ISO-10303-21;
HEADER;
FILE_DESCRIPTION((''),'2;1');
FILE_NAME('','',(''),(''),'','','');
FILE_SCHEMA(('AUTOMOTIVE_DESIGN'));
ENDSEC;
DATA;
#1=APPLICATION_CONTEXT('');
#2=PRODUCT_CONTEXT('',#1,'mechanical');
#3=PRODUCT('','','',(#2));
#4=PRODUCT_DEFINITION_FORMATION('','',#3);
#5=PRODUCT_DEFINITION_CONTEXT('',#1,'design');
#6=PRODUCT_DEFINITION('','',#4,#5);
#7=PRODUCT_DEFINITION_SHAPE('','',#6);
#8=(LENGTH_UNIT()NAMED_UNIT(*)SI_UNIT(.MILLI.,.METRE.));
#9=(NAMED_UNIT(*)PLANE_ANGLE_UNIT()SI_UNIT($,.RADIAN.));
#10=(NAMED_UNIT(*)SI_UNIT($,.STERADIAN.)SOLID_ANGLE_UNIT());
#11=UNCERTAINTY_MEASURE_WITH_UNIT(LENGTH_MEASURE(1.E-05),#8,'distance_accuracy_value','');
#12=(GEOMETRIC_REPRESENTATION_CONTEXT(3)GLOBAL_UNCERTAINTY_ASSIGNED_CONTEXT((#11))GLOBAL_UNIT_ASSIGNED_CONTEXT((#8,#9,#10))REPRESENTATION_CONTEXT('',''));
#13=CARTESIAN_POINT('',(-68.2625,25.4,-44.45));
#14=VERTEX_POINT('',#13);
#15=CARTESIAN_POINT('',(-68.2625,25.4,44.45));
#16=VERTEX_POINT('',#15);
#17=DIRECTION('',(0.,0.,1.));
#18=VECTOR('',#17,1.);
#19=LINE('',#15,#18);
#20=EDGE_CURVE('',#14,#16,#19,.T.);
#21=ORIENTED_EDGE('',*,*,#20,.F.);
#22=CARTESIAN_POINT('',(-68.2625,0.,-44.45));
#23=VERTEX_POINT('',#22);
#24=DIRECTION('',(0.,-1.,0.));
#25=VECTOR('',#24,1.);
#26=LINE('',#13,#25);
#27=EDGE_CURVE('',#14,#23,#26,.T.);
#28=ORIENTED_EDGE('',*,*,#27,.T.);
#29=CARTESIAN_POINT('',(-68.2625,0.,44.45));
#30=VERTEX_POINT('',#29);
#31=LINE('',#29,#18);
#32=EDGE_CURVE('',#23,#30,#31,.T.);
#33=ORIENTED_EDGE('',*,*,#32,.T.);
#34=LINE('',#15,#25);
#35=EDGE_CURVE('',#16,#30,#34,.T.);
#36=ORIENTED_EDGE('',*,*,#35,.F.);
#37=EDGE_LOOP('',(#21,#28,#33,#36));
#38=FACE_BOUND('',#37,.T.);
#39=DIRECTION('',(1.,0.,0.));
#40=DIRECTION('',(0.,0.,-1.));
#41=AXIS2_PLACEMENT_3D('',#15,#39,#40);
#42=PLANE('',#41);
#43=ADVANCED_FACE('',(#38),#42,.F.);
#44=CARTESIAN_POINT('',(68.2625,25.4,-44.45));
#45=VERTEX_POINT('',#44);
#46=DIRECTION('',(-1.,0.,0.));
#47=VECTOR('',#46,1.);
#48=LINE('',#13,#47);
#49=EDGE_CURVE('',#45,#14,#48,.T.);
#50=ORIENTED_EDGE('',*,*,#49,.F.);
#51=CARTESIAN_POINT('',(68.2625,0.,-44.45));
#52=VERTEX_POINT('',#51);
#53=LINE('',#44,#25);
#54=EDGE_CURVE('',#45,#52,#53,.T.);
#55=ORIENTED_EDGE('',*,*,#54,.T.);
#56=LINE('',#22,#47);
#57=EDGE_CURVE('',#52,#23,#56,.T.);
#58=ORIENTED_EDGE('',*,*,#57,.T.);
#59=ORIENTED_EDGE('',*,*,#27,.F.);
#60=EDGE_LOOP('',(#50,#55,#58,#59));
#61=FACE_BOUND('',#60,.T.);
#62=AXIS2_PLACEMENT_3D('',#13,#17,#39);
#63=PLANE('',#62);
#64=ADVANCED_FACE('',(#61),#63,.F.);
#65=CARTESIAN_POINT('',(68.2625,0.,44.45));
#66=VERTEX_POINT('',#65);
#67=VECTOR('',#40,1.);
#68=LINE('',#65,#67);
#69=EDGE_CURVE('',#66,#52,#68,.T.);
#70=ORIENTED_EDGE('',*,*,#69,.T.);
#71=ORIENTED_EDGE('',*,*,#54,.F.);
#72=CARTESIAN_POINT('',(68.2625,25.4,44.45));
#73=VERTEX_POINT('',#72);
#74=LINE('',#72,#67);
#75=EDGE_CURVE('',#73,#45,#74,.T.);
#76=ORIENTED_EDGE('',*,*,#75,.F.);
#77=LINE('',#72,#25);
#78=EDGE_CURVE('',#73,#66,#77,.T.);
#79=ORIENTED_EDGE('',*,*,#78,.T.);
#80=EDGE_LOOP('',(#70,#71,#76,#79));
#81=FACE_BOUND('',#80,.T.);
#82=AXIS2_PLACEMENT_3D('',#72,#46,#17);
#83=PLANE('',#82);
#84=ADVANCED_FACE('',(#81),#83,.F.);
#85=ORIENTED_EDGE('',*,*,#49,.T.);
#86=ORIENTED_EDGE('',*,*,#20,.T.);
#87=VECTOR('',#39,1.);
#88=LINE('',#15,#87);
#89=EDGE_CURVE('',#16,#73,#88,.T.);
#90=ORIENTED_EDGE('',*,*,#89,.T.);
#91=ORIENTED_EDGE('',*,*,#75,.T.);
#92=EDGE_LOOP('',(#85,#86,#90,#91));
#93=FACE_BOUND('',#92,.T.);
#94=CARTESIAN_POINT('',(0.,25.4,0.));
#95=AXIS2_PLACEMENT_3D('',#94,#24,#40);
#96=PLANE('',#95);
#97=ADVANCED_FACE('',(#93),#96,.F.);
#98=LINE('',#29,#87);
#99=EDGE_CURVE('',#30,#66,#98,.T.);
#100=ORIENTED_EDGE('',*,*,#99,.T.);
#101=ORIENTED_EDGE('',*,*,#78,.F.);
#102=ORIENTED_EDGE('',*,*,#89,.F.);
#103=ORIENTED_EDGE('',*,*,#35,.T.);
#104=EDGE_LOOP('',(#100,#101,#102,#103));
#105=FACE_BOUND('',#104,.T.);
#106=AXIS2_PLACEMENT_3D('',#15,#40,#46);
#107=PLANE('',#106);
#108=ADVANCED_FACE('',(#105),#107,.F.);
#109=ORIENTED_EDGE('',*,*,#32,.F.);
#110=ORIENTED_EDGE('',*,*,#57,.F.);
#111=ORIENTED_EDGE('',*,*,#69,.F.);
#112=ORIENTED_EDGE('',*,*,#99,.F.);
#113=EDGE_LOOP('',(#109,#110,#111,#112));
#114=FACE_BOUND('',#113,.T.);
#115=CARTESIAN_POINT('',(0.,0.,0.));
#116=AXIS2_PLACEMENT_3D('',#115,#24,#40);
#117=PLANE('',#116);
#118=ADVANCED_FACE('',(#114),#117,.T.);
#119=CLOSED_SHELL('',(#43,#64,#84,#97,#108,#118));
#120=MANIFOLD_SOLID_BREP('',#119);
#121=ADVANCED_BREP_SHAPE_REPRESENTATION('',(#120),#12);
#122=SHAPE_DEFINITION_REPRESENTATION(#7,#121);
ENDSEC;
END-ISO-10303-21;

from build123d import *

# Parameters (mm, degrees)
SKETCH1_W           = 136.525
SKETCH1_H           = 88.9
BOSS_EXTRUDE1_DEPTH = 25.4


with BuildPart() as part:
    # Sketch1 → Boss-Extrude1 (new body)
    with BuildSketch(Plane(origin=(0, 0, 0), x_dir=(1, 0, 0), z_dir=(0, 1, 0))):
        Rectangle(SKETCH1_W, SKETCH1_H)
    extrude(amount=BOSS_EXTRUDE1_DEPTH)


solid = part.part
